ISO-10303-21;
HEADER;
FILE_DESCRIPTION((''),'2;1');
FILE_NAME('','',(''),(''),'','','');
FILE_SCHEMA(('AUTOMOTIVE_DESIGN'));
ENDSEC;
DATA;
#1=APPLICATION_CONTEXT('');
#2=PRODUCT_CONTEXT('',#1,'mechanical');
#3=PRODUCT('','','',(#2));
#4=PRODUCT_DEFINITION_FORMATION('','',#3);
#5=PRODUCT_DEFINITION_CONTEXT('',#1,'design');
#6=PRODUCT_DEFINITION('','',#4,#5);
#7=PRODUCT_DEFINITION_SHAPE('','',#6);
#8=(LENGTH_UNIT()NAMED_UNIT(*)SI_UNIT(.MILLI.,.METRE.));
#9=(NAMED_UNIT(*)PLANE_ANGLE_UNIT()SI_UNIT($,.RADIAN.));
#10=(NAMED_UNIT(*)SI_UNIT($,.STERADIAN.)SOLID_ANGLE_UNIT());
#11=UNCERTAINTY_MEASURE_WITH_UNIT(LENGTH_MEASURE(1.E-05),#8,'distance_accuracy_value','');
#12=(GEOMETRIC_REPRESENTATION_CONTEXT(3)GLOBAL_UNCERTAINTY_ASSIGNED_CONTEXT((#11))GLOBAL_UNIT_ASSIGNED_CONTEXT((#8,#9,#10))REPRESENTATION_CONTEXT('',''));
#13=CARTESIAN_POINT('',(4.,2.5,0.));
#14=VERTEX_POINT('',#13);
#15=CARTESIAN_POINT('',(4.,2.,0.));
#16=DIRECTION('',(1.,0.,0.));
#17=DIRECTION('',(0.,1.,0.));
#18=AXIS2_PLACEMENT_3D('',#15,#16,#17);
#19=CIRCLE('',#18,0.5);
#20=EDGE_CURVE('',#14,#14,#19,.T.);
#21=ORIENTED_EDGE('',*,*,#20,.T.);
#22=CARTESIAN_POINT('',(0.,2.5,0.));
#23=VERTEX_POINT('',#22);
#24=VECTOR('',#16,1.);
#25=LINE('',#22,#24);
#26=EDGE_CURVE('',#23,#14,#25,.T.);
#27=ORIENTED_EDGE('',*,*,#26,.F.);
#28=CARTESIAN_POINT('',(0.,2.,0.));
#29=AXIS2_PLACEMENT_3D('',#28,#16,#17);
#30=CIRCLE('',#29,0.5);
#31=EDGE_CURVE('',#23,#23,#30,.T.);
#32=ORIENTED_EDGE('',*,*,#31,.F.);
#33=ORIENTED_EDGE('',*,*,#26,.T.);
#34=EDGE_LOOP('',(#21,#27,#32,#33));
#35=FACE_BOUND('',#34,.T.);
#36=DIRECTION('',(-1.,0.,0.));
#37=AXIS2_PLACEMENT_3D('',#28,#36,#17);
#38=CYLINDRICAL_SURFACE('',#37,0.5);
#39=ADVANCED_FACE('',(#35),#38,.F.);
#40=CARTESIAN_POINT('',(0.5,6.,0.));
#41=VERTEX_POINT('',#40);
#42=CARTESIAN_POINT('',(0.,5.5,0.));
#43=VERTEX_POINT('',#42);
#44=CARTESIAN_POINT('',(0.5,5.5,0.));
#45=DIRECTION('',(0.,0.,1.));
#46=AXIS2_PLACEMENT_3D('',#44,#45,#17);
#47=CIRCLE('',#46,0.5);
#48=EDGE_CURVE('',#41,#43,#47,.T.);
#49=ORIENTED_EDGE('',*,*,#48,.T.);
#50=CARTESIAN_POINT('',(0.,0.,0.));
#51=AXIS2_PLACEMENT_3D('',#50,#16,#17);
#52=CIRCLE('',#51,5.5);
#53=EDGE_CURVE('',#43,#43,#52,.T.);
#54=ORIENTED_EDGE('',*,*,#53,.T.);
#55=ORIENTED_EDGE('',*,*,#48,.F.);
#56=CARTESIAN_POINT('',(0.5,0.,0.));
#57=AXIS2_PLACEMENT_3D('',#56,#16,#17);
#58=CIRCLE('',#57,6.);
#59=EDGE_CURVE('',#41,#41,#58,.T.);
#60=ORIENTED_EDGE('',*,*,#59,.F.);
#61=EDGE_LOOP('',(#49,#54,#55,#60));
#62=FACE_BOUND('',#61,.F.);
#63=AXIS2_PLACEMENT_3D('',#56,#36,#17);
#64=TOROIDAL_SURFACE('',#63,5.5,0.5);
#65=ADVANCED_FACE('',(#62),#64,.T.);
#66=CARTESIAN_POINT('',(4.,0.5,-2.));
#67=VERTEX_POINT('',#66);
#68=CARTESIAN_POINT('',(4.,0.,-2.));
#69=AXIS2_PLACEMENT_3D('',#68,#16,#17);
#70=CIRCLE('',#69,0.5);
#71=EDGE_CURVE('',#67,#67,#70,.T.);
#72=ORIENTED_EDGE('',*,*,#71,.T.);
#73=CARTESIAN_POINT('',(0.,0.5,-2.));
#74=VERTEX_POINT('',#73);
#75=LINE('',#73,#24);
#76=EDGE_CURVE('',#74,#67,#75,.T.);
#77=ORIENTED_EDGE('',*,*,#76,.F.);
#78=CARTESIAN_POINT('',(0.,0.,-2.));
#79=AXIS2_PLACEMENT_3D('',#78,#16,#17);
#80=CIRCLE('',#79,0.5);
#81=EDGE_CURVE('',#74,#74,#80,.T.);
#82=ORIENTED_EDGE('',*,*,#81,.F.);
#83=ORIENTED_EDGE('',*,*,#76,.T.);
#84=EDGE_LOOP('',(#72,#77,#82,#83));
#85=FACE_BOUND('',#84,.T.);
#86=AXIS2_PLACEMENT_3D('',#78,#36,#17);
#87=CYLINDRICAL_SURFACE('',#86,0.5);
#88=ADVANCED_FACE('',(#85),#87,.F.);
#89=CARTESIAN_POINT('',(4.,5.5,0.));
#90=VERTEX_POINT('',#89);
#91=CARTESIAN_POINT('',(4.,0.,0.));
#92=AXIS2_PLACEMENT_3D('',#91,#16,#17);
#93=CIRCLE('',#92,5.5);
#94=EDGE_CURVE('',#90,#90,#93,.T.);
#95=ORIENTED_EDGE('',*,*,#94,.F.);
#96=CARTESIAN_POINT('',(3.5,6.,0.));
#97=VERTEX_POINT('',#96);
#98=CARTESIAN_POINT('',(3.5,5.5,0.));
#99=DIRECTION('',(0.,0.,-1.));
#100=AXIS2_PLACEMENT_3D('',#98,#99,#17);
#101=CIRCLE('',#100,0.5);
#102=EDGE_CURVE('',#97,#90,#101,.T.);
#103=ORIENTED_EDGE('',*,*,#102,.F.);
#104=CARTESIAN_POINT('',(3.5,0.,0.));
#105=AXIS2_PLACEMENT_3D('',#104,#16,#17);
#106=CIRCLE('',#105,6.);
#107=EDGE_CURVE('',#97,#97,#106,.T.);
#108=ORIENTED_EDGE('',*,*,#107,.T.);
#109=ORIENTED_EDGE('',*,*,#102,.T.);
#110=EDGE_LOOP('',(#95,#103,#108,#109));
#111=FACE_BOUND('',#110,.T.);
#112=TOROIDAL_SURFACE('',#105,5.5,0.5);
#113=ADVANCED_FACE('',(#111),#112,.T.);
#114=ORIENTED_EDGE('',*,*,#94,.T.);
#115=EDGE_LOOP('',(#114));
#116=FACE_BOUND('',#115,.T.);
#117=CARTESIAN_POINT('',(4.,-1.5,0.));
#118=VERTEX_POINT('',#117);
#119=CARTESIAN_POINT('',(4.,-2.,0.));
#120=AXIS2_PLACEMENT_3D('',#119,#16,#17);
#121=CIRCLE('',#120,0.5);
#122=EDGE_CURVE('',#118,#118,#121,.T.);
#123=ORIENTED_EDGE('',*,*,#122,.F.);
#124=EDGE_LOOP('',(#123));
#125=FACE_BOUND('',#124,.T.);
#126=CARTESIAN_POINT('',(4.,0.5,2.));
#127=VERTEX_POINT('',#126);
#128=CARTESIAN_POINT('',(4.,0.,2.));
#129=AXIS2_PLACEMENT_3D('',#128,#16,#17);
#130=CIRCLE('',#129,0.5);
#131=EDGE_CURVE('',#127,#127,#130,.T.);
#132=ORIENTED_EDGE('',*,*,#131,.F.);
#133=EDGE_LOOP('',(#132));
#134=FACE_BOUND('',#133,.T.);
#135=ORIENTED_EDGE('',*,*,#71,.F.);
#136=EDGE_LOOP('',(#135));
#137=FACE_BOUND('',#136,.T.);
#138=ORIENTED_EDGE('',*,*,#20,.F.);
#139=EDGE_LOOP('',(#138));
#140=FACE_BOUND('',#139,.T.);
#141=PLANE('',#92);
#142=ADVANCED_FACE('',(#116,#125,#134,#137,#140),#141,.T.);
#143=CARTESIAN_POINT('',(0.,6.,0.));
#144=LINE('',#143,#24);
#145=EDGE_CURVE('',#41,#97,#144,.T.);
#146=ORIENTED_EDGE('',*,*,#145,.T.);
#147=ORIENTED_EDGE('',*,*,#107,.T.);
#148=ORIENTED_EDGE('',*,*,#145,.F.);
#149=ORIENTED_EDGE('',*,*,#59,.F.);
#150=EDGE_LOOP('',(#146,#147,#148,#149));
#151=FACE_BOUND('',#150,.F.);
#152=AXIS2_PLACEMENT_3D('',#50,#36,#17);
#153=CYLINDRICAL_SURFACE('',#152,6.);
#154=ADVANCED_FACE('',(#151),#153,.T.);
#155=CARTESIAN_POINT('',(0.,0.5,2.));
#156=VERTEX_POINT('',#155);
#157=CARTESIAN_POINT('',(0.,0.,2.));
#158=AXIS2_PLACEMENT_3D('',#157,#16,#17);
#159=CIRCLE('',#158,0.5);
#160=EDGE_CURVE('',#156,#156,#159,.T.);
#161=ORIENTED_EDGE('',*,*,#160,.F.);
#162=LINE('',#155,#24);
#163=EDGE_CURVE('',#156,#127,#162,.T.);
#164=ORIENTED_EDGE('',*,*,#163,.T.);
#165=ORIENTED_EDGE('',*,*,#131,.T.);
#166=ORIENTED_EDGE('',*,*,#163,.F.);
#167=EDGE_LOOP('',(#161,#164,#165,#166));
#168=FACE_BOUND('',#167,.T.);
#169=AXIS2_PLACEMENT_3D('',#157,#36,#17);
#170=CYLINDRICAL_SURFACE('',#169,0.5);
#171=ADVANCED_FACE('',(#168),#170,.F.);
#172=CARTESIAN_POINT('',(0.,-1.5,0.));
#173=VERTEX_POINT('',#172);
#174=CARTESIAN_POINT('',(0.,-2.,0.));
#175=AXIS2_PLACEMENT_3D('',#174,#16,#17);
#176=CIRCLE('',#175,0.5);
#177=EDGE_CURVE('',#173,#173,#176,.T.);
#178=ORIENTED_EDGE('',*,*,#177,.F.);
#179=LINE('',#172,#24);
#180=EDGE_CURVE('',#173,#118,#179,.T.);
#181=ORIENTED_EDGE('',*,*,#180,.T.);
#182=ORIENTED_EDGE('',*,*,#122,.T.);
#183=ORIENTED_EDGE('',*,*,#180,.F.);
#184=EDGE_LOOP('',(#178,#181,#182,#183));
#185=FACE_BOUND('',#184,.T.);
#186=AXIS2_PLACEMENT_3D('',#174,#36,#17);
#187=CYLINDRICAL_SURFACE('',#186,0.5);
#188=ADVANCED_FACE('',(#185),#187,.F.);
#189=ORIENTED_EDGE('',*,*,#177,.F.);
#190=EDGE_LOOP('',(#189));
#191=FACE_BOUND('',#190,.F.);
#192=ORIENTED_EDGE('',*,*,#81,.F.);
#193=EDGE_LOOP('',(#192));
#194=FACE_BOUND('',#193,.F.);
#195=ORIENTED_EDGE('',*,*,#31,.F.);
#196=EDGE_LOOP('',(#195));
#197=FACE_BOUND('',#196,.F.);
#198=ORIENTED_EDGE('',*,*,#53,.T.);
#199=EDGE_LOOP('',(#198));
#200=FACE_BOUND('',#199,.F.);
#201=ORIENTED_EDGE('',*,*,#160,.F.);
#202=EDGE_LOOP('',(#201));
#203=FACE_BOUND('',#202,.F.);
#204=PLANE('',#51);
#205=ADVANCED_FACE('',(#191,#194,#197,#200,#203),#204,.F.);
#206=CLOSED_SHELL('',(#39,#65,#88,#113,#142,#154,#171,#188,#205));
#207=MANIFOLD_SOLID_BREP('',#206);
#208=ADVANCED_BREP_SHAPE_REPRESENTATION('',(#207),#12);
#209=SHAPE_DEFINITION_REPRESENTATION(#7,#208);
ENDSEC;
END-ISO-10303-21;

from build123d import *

# Parameters (mm, degrees)
F0_R     = 6
F0_R_2   = 0.5
F1_DEPTH = 4
F2_R     = 0.5


with BuildPart() as f1:
    # F0 (on Right) → F1 (new body)
    with BuildSketch(Plane.YZ):
        Circle(F0_R)
        with Locations((0, -2)):
            Circle(F0_R_2, mode=Mode.SUBTRACT)
        with Locations((-2, 0)):
            Circle(F0_R_2, mode=Mode.SUBTRACT)
        with Locations((2, 0)):
            Circle(F0_R_2, mode=Mode.SUBTRACT)
        with Locations((0, 2)):
            Circle(F0_R_2, mode=Mode.SUBTRACT)
    extrude(amount=F1_DEPTH)

    # F2
    f2_edges = [f1.edges().sort_by_distance(p)[0] for p in [
        (4, -6, 0),
        (0, -6, 0),
    ]]
    fillet(f2_edges, radius=F2_R)


solid = f1.part
